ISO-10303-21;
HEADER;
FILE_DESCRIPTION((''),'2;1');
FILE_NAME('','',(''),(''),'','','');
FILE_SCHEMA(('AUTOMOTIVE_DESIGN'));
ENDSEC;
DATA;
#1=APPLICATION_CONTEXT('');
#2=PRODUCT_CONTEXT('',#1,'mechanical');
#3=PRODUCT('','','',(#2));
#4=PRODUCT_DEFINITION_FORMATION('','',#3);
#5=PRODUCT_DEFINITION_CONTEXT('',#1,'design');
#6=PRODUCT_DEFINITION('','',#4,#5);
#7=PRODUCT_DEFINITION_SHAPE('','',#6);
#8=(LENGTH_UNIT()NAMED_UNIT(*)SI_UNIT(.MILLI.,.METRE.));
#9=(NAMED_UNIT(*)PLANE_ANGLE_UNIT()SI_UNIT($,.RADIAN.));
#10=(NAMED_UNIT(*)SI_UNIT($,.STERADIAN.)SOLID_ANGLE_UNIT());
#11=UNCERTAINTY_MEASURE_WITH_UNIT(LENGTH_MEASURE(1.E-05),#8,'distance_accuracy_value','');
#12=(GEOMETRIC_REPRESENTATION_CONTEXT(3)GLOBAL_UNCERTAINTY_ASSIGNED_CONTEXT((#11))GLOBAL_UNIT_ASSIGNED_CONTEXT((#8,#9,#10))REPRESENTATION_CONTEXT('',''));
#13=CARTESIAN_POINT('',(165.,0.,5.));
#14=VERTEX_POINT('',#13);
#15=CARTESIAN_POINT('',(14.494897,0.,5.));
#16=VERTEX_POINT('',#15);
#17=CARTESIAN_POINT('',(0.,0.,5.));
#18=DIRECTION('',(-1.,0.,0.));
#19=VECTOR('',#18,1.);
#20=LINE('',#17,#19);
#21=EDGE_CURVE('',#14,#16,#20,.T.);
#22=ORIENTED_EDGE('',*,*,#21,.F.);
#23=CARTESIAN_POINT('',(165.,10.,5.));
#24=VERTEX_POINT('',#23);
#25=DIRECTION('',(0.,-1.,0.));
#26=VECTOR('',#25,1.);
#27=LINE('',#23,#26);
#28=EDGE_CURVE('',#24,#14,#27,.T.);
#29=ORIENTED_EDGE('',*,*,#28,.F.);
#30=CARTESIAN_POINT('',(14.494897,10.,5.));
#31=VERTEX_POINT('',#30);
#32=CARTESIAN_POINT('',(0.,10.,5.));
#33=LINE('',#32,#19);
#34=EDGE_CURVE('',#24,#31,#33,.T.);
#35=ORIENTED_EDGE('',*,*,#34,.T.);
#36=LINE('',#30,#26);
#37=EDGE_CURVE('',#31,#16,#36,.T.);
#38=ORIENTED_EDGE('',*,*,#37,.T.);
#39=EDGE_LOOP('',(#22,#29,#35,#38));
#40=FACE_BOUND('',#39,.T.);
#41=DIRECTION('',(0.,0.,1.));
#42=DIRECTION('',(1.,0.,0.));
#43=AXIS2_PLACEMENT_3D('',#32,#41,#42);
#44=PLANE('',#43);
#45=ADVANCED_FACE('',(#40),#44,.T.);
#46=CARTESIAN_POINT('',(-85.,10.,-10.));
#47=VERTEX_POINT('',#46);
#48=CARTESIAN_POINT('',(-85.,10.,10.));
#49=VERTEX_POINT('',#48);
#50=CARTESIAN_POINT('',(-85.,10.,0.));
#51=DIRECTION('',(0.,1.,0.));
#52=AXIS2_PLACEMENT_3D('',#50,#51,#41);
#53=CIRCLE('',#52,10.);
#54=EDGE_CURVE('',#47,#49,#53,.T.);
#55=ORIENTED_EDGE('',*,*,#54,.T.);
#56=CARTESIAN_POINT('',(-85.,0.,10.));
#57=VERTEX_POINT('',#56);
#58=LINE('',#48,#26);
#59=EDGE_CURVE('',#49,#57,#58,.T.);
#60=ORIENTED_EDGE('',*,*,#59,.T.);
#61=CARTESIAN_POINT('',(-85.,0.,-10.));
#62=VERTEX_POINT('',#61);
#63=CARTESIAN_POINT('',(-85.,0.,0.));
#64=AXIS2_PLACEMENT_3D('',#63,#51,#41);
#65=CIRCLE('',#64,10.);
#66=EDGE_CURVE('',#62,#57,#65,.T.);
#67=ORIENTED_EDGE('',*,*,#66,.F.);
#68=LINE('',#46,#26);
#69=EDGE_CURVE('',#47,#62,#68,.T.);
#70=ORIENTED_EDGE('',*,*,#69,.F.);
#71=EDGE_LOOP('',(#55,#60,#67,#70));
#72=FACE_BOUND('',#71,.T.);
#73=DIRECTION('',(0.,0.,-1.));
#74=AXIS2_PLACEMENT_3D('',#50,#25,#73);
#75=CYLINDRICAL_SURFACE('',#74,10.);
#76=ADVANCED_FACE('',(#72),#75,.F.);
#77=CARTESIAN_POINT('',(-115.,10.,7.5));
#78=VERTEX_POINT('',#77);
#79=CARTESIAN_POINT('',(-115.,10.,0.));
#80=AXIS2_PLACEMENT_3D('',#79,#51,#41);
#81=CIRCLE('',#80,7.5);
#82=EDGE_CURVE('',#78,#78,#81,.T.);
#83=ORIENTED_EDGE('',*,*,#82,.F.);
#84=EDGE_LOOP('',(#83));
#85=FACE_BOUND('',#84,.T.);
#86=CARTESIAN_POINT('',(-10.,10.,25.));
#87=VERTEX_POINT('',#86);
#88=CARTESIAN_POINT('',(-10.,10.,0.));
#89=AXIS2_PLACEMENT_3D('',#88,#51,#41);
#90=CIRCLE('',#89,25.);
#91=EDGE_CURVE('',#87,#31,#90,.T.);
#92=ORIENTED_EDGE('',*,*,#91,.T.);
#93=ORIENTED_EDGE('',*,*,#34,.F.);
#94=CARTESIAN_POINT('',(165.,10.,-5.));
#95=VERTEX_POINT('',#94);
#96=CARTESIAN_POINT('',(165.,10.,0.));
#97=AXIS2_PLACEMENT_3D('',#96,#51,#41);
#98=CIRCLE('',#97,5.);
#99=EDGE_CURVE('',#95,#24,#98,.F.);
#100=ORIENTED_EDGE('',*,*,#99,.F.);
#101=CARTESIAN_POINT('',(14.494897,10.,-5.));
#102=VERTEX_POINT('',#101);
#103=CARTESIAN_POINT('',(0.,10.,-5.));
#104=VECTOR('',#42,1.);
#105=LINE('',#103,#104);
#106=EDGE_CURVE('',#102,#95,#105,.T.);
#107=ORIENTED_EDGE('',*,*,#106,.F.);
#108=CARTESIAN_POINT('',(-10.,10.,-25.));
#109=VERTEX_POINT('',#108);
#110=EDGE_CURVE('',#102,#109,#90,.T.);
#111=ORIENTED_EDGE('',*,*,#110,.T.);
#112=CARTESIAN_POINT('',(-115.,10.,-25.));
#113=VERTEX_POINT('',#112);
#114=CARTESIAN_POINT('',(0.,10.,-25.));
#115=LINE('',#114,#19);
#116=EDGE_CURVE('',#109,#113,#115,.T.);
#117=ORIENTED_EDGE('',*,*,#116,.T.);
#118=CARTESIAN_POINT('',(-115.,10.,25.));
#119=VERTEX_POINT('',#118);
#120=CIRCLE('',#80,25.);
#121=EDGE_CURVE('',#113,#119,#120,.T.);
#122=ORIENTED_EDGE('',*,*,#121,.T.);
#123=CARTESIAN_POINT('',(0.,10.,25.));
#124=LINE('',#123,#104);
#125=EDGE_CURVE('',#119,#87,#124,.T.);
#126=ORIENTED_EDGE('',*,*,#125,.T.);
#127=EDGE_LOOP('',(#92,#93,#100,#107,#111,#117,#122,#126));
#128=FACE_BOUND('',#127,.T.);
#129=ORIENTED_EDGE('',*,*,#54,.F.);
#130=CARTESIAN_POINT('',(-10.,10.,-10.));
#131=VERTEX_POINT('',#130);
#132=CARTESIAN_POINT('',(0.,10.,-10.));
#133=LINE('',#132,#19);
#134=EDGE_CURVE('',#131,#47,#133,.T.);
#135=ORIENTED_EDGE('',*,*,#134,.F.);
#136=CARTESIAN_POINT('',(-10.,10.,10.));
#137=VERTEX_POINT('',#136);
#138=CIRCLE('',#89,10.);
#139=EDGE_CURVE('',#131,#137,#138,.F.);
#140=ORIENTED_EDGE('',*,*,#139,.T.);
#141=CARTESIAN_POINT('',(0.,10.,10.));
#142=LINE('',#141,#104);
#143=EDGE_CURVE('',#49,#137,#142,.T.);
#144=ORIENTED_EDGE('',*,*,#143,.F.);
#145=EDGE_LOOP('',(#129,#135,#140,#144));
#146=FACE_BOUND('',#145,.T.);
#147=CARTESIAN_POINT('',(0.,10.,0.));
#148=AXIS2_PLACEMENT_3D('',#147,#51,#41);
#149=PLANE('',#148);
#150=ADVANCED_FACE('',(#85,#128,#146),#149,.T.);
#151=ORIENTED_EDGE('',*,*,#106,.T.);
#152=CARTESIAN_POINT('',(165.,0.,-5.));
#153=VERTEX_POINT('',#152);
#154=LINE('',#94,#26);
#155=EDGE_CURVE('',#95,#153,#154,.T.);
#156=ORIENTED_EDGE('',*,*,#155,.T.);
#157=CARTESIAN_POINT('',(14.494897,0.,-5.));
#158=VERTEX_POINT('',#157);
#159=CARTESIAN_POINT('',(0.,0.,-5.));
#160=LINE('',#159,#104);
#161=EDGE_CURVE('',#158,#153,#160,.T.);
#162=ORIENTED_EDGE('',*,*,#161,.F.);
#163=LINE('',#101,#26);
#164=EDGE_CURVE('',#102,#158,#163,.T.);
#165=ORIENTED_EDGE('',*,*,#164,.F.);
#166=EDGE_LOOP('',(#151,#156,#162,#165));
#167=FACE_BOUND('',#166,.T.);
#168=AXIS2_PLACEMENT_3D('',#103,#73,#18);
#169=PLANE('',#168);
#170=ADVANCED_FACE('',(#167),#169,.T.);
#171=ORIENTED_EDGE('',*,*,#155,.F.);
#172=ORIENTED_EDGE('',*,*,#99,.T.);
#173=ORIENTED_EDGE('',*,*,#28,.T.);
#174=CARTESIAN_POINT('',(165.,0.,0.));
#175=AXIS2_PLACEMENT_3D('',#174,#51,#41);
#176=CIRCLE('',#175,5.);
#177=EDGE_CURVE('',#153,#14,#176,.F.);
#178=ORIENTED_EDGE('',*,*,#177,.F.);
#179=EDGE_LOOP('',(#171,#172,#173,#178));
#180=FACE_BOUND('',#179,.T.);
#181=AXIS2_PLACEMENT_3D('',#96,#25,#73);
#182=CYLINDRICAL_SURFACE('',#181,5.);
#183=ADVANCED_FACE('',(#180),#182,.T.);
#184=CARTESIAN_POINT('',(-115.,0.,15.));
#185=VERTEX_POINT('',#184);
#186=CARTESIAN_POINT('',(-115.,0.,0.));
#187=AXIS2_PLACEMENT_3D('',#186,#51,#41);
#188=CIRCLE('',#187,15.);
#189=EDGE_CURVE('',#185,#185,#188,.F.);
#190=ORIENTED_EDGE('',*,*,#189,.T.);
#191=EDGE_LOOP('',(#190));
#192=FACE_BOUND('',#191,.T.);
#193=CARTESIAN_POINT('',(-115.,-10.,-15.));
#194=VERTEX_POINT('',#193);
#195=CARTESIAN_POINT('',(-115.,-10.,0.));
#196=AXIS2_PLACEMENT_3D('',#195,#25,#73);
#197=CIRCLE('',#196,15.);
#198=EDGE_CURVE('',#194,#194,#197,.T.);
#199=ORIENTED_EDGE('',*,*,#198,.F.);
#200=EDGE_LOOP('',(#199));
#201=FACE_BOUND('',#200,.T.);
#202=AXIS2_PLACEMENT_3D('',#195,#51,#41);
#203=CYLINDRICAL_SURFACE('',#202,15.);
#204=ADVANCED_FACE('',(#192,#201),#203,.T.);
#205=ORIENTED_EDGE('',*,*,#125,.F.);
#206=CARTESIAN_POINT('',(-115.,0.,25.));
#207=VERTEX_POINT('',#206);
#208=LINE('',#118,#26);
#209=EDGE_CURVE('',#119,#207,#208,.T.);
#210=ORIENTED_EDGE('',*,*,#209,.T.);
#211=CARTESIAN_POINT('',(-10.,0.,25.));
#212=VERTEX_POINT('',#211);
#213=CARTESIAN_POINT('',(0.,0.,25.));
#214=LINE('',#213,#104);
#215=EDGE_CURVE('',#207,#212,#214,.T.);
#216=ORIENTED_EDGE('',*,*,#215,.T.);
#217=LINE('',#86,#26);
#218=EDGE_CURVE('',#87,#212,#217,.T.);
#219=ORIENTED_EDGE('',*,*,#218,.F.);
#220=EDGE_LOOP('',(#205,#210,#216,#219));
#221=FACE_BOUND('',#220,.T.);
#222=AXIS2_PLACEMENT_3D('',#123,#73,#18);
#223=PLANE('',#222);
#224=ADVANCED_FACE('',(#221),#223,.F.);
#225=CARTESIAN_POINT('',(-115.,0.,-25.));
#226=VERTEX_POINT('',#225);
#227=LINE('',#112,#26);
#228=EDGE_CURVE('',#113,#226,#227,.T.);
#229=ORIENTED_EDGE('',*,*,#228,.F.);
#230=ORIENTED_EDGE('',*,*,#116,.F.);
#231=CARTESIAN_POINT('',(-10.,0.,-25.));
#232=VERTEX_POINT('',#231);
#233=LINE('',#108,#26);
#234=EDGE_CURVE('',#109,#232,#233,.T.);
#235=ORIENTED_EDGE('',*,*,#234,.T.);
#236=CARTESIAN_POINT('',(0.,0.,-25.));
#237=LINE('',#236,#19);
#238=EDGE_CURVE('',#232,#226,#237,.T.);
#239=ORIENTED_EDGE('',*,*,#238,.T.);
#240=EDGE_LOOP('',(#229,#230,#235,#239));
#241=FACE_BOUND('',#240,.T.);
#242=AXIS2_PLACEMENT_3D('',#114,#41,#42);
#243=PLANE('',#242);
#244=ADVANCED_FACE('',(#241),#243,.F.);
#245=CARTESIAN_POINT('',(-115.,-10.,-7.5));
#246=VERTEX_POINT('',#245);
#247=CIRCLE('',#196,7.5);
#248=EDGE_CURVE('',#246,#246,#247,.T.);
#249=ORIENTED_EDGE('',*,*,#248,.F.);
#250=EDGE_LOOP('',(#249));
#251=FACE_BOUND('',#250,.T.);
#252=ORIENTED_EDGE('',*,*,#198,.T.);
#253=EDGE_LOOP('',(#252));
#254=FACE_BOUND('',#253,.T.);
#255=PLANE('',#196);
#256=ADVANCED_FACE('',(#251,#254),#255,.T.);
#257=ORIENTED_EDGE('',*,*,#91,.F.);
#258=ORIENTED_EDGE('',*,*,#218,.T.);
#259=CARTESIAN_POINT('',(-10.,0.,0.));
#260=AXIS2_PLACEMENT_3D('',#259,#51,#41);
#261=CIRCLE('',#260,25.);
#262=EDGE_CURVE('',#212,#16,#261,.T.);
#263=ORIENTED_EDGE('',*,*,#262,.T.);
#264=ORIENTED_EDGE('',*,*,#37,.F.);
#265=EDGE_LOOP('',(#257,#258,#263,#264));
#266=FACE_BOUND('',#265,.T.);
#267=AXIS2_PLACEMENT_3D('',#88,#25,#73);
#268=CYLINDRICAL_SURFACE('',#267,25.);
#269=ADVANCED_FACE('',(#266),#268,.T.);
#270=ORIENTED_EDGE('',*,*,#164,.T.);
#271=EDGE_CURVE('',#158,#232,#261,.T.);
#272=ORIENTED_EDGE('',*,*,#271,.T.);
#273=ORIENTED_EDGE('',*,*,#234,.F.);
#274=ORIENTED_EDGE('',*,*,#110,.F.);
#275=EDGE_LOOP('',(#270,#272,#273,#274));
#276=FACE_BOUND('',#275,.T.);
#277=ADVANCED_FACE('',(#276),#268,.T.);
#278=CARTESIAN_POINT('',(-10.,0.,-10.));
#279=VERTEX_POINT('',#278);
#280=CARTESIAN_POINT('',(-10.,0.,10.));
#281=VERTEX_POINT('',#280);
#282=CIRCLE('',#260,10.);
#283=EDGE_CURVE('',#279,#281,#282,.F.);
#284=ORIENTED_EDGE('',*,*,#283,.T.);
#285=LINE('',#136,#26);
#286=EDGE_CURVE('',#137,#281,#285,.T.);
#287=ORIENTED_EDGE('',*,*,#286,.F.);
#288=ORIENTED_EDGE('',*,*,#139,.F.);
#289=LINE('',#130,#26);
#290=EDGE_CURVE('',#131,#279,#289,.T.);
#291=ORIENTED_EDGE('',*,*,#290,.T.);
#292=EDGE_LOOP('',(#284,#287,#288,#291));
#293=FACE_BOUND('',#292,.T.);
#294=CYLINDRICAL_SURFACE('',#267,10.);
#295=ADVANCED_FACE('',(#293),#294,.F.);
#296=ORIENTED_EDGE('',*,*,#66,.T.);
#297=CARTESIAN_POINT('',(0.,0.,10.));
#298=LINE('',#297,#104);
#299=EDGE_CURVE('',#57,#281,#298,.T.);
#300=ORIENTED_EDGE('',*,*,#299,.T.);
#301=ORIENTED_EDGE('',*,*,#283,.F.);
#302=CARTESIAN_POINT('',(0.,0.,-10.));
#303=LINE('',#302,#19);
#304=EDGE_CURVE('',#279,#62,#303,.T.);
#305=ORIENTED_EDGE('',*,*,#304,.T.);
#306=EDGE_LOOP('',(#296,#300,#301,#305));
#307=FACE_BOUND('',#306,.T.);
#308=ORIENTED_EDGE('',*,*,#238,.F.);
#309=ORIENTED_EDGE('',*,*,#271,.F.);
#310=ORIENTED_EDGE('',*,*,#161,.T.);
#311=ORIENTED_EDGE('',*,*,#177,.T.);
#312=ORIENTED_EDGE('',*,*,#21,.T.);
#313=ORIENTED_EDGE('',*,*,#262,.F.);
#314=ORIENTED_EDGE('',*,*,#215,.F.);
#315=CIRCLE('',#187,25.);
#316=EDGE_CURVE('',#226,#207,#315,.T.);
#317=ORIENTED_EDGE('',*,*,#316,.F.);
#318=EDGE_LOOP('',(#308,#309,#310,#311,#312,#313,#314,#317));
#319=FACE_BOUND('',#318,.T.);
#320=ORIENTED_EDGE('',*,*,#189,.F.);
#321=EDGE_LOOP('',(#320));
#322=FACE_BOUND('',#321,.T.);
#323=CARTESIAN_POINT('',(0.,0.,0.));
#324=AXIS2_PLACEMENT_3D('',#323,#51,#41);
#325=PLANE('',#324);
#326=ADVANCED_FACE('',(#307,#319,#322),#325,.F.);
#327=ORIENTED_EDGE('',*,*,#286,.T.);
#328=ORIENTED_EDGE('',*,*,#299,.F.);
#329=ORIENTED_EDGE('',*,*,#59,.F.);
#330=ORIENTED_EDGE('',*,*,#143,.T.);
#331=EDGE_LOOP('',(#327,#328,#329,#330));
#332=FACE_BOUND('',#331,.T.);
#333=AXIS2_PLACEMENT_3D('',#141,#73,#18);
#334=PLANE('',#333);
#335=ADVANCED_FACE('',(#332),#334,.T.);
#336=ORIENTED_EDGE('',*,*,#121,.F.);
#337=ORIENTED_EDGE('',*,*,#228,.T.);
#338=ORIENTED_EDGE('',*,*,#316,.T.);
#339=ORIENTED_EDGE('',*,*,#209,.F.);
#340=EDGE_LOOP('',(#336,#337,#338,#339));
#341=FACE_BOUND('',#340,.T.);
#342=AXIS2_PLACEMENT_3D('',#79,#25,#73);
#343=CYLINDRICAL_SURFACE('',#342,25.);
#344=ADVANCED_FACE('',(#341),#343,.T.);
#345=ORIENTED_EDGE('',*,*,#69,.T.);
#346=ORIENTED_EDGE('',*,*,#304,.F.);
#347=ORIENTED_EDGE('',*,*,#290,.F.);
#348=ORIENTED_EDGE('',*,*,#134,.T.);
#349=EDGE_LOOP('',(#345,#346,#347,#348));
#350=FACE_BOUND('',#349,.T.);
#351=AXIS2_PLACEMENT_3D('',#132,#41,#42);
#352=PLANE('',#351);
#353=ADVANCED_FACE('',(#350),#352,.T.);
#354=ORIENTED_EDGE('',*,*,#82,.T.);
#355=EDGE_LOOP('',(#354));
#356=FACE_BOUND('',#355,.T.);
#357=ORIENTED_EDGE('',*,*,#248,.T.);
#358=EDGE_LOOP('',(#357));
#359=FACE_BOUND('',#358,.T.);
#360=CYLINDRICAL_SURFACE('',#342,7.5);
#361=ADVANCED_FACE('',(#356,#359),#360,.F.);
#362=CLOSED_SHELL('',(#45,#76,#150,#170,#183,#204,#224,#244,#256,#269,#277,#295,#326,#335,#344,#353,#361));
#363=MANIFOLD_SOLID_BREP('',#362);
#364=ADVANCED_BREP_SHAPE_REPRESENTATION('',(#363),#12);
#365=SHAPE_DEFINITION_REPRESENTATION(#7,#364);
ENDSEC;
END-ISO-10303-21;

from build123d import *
from build123d.topology import SkipClean

# Parameters (mm, degrees)
SKETCH1_R           = 7.5
BOSS_EXTRUDE1_DEPTH = 10
BOSS_EXTRUDE2_START = 10
SKETCH2_R           = 15
SKETCH2_R_2         = 7.5
BOSS_EXTRUDE2_DEPTH = 10


with BuildPart() as part:
    # Sketch1 → Boss-Extrude1 (new body)
    with BuildSketch(Plane(origin=(0, 0, 0), x_dir=(1, 0, 0), z_dir=(0, 1, 0))):
        with BuildLine():
            Line((14.494897428, 5), (165, 5))
            ThreePointArc((165, 5), (170, 0), (165, -5))
            Line((165, -5), (14.494897428, -5))
            ThreePointArc((14.494897428, -5), (5.811388301, -19.364916731), (-10, -25))
            Line((-10, -25), (-115, -25))
            ThreePointArc((-115, -25), (-140, 0), (-115, 25))
            Line((-115, 25), (-10, 25))
            ThreePointArc((-10, 25), (5.811388301, 19.364916731), (14.494897428, 5))
        make_face()
        with Locations(Location((-115, 0, 0), (0, 0, 270))):
            Circle(SKETCH1_R, mode=Mode.SUBTRACT)
        with BuildLine():
            ThreePointArc((-85, 10), (-95, 0), (-85, -10))
            Line((-85, -10), (-10, -10))
            ThreePointArc((-10, -10), (0, 0), (-10, 10))
            Line((-10, 10), (-85, 10))
        make_face(mode=Mode.SUBTRACT)
    extrude(amount=BOSS_EXTRUDE1_DEPTH)

    # Sketch2 → Boss-Extrude2 (add)
    with SkipClean():  # the faces are left unmerged after this step: merging them gives an invalid solid
        with BuildSketch(Plane.XZ.offset(BOSS_EXTRUDE2_START)):
            with Locations(Location((-115, 0, 0), (0, 0, 90))):
                Circle(SKETCH2_R)
            with Locations(Location((-115, 0, 0), (0, 0, 270))):
                Circle(SKETCH2_R_2, mode=Mode.SUBTRACT)
        extrude(amount=-BOSS_EXTRUDE2_DEPTH)


solid = part.part
